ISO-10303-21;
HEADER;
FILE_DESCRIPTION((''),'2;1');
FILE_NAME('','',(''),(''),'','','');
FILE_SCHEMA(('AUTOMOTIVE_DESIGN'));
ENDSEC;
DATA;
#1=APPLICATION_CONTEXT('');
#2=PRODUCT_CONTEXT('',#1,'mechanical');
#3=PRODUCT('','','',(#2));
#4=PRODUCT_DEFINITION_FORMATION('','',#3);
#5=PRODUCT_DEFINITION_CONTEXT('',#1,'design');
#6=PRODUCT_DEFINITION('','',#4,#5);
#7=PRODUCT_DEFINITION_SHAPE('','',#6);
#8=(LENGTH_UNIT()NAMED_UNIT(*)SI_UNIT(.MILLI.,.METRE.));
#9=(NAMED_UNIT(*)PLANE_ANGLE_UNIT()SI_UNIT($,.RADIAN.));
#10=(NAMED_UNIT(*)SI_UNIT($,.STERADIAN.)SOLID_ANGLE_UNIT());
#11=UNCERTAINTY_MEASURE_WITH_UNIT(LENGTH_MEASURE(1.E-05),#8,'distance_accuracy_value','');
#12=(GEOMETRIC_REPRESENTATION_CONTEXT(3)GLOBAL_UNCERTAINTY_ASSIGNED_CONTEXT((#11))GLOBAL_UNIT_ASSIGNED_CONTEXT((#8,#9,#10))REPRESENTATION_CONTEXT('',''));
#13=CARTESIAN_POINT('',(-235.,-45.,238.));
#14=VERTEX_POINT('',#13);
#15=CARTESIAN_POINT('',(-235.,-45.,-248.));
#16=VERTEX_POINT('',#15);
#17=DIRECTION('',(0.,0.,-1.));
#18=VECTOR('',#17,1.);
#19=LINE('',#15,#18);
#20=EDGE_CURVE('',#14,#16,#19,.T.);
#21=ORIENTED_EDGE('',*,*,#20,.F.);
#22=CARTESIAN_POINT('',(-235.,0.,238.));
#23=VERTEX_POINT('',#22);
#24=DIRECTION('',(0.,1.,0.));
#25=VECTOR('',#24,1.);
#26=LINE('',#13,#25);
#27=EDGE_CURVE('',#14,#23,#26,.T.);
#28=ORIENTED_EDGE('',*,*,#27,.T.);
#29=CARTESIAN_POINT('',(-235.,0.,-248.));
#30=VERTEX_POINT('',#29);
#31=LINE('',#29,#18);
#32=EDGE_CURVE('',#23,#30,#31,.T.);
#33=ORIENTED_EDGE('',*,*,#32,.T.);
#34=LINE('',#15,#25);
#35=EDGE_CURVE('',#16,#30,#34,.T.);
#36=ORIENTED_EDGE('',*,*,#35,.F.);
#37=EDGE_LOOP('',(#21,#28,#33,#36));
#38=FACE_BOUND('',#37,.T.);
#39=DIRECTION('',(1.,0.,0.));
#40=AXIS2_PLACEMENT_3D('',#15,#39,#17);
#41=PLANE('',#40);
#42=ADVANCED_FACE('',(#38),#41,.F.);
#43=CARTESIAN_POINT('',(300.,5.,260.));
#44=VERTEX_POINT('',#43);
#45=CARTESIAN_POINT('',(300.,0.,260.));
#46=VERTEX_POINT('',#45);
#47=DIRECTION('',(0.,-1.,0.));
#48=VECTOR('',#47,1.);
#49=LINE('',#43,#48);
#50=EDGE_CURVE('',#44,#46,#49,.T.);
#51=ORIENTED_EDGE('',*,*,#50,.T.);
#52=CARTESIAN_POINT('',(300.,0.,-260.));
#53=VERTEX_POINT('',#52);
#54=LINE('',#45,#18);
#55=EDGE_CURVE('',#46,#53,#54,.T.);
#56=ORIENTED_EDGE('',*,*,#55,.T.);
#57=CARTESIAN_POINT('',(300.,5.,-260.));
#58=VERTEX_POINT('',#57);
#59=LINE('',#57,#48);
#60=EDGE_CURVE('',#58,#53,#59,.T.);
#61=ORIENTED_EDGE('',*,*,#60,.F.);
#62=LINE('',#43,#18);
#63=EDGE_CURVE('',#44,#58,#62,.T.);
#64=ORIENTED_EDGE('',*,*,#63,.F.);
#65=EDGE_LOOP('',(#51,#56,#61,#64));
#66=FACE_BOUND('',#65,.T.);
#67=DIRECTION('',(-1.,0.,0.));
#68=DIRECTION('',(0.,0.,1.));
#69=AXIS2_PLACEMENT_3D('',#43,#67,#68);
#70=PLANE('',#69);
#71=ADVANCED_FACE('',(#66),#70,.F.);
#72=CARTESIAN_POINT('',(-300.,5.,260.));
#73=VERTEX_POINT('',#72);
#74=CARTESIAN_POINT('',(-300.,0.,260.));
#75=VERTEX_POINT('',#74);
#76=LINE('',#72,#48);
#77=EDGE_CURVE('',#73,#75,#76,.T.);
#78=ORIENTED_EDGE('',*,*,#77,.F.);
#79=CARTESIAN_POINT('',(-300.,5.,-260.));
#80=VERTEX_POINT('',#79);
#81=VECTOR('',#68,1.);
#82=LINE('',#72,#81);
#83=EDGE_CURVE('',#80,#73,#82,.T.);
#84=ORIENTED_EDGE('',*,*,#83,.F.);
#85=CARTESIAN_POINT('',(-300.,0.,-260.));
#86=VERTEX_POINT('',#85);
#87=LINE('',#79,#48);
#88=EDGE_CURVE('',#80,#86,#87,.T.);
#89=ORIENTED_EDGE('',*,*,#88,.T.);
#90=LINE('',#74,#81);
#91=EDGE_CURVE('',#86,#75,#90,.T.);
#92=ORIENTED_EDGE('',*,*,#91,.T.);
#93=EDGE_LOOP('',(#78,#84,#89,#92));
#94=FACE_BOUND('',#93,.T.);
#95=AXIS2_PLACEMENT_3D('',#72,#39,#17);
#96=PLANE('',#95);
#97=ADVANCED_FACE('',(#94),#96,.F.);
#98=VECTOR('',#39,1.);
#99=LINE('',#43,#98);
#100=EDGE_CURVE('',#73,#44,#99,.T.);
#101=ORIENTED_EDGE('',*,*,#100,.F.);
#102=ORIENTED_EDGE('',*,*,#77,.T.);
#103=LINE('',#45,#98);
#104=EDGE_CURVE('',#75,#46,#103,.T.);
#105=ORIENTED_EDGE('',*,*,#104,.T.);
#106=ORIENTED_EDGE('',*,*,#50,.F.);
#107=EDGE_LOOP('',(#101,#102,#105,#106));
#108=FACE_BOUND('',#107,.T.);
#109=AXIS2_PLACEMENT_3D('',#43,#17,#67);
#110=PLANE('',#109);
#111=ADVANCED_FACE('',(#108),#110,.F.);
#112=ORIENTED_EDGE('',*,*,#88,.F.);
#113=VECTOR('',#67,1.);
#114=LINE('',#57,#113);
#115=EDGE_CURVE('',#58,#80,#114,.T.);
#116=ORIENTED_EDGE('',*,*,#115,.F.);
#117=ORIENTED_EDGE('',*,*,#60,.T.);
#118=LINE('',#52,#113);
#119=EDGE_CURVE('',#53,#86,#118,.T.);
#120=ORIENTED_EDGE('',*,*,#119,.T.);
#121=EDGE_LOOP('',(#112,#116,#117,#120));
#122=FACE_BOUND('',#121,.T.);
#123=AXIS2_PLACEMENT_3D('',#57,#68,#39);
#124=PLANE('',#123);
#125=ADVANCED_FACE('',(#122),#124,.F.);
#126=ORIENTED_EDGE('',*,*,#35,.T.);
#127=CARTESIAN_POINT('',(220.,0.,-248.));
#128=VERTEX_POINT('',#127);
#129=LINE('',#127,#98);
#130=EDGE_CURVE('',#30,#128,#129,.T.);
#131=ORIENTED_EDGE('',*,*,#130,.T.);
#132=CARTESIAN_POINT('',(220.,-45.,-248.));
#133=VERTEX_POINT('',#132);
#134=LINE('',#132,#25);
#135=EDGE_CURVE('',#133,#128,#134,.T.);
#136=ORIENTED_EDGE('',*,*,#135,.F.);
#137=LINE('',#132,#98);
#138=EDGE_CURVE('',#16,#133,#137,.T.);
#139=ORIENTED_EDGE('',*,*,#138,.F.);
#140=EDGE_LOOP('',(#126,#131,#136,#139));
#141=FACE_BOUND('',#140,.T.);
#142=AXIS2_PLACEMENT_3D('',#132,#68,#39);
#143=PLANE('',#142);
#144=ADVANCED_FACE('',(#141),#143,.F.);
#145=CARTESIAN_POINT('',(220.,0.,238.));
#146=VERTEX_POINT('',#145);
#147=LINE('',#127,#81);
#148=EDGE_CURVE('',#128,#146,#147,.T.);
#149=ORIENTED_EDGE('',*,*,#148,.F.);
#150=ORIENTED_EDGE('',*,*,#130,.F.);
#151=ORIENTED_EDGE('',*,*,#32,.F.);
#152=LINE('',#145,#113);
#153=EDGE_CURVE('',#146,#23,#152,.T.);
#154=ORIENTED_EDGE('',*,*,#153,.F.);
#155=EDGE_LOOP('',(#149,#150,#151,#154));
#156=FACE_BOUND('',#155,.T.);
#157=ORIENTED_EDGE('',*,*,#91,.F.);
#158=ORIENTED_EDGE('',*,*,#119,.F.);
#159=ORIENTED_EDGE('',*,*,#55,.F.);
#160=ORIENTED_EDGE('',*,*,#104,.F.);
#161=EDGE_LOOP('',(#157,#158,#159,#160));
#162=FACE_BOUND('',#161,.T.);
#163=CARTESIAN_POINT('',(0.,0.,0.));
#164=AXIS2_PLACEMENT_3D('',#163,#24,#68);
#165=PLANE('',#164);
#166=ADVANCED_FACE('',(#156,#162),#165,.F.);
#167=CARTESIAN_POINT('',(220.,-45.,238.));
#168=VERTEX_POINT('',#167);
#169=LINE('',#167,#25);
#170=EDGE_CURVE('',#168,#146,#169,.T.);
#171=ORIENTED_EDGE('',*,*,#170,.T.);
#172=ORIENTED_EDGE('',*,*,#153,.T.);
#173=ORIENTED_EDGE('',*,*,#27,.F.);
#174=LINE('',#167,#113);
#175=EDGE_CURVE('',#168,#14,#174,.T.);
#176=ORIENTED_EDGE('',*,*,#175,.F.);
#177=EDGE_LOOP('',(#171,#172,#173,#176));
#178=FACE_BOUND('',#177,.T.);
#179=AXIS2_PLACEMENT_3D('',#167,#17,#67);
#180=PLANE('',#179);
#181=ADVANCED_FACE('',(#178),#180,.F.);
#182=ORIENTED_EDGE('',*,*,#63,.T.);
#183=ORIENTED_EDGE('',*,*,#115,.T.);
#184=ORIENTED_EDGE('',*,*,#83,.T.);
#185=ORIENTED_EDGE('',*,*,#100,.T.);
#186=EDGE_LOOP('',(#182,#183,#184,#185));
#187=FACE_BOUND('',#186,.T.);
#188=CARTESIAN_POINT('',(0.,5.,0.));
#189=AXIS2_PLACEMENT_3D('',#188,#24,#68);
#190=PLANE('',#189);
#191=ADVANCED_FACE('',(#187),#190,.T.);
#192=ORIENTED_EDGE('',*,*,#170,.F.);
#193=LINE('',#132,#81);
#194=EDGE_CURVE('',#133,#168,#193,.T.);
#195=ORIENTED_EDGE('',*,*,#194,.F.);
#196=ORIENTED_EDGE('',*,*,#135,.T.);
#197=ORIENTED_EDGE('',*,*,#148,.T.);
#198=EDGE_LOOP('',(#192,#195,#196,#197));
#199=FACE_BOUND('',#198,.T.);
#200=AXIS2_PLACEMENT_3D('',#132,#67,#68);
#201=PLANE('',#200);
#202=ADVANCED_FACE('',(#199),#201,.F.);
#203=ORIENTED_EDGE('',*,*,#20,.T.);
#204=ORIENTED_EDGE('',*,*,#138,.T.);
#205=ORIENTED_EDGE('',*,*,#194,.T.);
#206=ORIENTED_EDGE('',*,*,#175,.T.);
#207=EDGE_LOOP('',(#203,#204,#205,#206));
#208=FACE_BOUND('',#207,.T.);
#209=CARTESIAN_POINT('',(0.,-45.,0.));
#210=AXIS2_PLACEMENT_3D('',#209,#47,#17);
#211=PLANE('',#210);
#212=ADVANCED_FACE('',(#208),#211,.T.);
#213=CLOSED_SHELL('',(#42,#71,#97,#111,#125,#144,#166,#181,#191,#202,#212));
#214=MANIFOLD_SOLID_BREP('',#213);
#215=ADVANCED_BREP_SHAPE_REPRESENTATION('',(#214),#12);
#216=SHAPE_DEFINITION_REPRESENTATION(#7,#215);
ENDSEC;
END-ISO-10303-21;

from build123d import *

# Parameters (mm, degrees)
SKETCH_1_W      = 600
SKETCH_1_H      = 520
EXTRUDE_1_DEPTH = 5
SKETCH_3_W      = 455
SKETCH_3_H      = 486
EXTRUDE_2_DEPTH = 45


with BuildPart() as part:
    # Эскиз1 → Бобышка-Вытянуть1 (new body)
    with BuildSketch(Plane(origin=(0, 0, 0), x_dir=(1, 0, 0), z_dir=(0, 1, 0))):
        Rectangle(SKETCH_1_W, SKETCH_1_H)
    extrude(amount=EXTRUDE_1_DEPTH)

    # Эскиз3 → Бобышка-Вытянуть2 (add)
    with BuildSketch(Plane.XZ):
        with Locations((-7.5, -5)):
            Rectangle(SKETCH_3_W, SKETCH_3_H)
    extrude(amount=EXTRUDE_2_DEPTH)


solid = part.part
